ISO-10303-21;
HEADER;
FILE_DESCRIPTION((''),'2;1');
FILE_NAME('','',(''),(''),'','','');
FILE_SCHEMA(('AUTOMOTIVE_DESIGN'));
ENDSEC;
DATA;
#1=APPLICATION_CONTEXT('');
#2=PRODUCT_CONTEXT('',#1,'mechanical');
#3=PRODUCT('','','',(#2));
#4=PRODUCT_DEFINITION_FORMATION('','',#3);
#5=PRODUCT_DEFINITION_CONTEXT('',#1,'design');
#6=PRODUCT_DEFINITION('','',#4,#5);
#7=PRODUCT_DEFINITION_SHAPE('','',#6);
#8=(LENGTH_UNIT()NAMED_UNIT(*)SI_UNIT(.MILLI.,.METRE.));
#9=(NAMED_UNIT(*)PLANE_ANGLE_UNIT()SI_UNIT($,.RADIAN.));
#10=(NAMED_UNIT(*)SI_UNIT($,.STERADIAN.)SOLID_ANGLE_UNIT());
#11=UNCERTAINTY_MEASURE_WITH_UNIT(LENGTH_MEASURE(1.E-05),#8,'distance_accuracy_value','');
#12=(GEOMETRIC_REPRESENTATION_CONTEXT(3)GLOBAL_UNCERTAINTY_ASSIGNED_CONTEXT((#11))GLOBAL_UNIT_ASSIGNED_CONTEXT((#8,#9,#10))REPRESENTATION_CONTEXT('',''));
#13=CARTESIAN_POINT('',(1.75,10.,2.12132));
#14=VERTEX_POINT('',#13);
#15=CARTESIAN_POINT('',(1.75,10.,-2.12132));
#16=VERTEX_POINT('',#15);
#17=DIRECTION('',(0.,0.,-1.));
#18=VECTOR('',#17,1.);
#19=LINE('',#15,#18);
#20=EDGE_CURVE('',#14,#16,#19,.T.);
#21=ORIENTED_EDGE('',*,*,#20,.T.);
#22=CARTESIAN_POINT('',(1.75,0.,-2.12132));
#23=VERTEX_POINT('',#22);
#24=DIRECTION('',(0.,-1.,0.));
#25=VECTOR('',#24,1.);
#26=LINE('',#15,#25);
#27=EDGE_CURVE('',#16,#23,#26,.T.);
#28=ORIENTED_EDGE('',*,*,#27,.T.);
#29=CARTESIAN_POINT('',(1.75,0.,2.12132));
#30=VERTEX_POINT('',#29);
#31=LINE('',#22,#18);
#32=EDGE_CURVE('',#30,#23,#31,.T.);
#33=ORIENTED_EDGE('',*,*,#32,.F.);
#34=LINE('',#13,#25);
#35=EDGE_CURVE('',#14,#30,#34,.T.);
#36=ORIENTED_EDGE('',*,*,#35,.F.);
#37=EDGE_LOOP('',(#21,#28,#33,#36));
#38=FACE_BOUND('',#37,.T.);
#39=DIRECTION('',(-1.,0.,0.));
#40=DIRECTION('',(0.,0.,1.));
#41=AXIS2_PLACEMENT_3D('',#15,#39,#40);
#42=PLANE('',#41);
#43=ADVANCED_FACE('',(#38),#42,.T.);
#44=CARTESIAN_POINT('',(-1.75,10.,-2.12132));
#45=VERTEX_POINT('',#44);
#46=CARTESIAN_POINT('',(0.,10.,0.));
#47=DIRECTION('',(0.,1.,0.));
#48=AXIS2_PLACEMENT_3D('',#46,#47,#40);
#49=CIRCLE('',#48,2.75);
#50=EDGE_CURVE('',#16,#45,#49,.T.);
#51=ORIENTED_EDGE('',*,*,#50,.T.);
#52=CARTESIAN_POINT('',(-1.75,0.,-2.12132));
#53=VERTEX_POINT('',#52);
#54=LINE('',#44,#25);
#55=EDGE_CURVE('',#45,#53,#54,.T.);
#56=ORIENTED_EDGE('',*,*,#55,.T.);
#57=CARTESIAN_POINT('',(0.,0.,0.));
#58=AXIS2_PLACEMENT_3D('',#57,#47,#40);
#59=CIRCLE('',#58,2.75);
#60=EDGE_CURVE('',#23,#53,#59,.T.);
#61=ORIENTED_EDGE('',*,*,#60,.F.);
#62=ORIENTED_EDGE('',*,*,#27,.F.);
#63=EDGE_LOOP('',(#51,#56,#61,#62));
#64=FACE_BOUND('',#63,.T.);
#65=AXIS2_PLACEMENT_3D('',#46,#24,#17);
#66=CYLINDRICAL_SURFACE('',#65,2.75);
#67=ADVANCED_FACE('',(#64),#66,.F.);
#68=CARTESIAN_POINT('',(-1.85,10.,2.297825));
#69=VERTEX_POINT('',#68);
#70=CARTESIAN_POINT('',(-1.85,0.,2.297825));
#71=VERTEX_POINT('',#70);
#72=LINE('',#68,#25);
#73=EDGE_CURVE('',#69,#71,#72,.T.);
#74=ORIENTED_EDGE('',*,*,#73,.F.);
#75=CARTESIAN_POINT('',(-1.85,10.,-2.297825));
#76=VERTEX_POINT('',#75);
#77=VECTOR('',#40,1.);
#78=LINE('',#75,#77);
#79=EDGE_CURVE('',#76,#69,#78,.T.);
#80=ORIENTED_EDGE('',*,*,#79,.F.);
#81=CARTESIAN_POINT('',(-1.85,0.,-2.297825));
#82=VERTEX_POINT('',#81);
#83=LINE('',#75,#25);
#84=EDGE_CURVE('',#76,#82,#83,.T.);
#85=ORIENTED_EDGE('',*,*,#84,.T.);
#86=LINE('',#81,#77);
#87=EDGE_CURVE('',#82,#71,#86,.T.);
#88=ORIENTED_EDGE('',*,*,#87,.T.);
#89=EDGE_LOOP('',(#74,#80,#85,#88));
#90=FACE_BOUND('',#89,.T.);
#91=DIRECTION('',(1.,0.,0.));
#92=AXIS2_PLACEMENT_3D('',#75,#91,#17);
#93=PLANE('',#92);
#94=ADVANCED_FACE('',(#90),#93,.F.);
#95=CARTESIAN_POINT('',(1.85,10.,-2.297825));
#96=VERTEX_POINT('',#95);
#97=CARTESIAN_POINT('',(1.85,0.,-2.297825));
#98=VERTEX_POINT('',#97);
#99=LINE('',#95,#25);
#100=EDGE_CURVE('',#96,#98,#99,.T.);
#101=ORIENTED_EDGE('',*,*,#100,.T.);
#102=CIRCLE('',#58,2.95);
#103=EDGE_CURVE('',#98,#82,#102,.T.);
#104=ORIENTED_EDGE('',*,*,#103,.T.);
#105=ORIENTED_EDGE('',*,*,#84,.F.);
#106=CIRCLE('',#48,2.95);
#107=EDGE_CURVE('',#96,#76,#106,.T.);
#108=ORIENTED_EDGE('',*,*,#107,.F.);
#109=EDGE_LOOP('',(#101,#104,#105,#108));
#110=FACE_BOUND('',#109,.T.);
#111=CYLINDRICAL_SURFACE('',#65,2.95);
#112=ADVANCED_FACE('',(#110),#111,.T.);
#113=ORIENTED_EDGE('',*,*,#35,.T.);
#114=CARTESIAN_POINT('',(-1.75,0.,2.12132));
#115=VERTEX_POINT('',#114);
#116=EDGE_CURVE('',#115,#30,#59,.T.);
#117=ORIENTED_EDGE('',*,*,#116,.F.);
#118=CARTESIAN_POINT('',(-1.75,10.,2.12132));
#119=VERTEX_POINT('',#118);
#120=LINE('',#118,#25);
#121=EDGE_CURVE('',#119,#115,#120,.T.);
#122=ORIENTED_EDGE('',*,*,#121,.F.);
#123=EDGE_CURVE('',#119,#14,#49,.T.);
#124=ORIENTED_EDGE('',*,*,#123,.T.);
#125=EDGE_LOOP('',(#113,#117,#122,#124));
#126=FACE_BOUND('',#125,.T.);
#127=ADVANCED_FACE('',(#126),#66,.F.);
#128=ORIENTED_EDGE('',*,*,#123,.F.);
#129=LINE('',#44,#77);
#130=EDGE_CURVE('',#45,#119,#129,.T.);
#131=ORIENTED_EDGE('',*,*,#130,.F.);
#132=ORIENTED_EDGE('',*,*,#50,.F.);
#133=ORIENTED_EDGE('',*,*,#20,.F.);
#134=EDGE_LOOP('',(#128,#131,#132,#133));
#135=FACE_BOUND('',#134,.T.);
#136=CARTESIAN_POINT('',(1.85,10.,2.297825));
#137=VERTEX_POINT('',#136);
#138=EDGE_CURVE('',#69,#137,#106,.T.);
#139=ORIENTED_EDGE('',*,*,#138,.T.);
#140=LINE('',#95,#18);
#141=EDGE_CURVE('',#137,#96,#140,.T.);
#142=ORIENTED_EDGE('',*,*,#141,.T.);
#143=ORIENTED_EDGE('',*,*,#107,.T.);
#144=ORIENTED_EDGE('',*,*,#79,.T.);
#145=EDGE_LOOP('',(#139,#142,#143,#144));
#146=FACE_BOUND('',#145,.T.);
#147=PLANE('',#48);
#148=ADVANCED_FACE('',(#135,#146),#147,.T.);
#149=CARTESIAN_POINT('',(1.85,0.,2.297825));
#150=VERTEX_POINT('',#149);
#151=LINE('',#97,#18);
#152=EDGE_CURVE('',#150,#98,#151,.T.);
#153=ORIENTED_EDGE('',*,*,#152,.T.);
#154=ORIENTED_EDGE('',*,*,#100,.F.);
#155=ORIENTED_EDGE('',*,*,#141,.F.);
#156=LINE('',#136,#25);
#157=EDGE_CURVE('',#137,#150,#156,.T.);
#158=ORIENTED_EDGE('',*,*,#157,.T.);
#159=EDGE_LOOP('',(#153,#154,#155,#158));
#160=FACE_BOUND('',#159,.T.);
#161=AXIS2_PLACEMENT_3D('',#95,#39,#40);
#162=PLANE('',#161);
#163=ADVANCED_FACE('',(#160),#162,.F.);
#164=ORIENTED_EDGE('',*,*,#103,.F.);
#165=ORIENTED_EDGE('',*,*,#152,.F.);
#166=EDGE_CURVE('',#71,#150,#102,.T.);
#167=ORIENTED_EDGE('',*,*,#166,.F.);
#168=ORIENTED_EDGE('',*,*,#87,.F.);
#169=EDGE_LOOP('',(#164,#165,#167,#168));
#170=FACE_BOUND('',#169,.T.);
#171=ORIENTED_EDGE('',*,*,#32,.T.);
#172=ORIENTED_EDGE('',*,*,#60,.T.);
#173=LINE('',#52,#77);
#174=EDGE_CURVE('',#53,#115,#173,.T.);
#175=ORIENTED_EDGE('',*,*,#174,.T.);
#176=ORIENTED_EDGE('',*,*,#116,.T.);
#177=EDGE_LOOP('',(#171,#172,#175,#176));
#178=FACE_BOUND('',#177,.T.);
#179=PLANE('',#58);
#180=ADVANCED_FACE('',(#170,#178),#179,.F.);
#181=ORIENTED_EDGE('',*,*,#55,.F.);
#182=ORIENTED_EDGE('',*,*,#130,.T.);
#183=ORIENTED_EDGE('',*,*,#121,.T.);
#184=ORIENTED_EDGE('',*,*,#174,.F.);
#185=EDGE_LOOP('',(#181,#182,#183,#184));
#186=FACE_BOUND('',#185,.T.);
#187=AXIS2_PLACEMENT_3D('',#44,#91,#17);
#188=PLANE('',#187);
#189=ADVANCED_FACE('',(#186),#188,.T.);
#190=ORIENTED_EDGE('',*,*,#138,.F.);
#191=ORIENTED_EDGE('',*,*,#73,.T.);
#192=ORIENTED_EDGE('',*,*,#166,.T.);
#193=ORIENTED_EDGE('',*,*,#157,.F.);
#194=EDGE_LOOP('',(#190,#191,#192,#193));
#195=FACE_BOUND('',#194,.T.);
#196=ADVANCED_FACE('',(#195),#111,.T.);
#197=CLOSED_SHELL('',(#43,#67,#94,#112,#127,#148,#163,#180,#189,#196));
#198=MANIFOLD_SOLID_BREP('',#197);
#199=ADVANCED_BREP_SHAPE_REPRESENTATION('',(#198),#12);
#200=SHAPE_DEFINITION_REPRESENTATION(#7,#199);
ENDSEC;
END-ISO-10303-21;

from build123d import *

# Parameters (mm, degrees)
EXTRUDE_1_DEPTH = 10


with BuildPart() as part:
    # Эскиз1 → Бобышка-Вытянуть1 (new body)
    with BuildSketch(Plane(origin=(0, 0, 0), x_dir=(1, 0, 0), z_dir=(0, 1, 0))):
        with BuildLine():
            Line((-1.85, 2.297825059), (-1.85, -2.297825059))
            ThreePointArc((-1.85, -2.297825059), (0, -2.95), (1.85, -2.297825059))
            Line((1.85, -2.297825059), (1.85, 2.297825059))
            ThreePointArc((1.85, 2.297825059), (0, 2.95), (-1.85, 2.297825059))
        make_face()
        with BuildLine():
            Line((-1.75, 2.121320344), (-1.75, -2.121320344))
            ThreePointArc((-1.75, -2.121320344), (0, -2.75), (1.75, -2.121320344))
            Line((1.75, -2.121320344), (1.75, 2.121320344))
            ThreePointArc((1.75, 2.121320344), (0, 2.75), (-1.75, 2.121320344))
        make_face(mode=Mode.SUBTRACT)
    extrude(amount=EXTRUDE_1_DEPTH)


solid = part.part
